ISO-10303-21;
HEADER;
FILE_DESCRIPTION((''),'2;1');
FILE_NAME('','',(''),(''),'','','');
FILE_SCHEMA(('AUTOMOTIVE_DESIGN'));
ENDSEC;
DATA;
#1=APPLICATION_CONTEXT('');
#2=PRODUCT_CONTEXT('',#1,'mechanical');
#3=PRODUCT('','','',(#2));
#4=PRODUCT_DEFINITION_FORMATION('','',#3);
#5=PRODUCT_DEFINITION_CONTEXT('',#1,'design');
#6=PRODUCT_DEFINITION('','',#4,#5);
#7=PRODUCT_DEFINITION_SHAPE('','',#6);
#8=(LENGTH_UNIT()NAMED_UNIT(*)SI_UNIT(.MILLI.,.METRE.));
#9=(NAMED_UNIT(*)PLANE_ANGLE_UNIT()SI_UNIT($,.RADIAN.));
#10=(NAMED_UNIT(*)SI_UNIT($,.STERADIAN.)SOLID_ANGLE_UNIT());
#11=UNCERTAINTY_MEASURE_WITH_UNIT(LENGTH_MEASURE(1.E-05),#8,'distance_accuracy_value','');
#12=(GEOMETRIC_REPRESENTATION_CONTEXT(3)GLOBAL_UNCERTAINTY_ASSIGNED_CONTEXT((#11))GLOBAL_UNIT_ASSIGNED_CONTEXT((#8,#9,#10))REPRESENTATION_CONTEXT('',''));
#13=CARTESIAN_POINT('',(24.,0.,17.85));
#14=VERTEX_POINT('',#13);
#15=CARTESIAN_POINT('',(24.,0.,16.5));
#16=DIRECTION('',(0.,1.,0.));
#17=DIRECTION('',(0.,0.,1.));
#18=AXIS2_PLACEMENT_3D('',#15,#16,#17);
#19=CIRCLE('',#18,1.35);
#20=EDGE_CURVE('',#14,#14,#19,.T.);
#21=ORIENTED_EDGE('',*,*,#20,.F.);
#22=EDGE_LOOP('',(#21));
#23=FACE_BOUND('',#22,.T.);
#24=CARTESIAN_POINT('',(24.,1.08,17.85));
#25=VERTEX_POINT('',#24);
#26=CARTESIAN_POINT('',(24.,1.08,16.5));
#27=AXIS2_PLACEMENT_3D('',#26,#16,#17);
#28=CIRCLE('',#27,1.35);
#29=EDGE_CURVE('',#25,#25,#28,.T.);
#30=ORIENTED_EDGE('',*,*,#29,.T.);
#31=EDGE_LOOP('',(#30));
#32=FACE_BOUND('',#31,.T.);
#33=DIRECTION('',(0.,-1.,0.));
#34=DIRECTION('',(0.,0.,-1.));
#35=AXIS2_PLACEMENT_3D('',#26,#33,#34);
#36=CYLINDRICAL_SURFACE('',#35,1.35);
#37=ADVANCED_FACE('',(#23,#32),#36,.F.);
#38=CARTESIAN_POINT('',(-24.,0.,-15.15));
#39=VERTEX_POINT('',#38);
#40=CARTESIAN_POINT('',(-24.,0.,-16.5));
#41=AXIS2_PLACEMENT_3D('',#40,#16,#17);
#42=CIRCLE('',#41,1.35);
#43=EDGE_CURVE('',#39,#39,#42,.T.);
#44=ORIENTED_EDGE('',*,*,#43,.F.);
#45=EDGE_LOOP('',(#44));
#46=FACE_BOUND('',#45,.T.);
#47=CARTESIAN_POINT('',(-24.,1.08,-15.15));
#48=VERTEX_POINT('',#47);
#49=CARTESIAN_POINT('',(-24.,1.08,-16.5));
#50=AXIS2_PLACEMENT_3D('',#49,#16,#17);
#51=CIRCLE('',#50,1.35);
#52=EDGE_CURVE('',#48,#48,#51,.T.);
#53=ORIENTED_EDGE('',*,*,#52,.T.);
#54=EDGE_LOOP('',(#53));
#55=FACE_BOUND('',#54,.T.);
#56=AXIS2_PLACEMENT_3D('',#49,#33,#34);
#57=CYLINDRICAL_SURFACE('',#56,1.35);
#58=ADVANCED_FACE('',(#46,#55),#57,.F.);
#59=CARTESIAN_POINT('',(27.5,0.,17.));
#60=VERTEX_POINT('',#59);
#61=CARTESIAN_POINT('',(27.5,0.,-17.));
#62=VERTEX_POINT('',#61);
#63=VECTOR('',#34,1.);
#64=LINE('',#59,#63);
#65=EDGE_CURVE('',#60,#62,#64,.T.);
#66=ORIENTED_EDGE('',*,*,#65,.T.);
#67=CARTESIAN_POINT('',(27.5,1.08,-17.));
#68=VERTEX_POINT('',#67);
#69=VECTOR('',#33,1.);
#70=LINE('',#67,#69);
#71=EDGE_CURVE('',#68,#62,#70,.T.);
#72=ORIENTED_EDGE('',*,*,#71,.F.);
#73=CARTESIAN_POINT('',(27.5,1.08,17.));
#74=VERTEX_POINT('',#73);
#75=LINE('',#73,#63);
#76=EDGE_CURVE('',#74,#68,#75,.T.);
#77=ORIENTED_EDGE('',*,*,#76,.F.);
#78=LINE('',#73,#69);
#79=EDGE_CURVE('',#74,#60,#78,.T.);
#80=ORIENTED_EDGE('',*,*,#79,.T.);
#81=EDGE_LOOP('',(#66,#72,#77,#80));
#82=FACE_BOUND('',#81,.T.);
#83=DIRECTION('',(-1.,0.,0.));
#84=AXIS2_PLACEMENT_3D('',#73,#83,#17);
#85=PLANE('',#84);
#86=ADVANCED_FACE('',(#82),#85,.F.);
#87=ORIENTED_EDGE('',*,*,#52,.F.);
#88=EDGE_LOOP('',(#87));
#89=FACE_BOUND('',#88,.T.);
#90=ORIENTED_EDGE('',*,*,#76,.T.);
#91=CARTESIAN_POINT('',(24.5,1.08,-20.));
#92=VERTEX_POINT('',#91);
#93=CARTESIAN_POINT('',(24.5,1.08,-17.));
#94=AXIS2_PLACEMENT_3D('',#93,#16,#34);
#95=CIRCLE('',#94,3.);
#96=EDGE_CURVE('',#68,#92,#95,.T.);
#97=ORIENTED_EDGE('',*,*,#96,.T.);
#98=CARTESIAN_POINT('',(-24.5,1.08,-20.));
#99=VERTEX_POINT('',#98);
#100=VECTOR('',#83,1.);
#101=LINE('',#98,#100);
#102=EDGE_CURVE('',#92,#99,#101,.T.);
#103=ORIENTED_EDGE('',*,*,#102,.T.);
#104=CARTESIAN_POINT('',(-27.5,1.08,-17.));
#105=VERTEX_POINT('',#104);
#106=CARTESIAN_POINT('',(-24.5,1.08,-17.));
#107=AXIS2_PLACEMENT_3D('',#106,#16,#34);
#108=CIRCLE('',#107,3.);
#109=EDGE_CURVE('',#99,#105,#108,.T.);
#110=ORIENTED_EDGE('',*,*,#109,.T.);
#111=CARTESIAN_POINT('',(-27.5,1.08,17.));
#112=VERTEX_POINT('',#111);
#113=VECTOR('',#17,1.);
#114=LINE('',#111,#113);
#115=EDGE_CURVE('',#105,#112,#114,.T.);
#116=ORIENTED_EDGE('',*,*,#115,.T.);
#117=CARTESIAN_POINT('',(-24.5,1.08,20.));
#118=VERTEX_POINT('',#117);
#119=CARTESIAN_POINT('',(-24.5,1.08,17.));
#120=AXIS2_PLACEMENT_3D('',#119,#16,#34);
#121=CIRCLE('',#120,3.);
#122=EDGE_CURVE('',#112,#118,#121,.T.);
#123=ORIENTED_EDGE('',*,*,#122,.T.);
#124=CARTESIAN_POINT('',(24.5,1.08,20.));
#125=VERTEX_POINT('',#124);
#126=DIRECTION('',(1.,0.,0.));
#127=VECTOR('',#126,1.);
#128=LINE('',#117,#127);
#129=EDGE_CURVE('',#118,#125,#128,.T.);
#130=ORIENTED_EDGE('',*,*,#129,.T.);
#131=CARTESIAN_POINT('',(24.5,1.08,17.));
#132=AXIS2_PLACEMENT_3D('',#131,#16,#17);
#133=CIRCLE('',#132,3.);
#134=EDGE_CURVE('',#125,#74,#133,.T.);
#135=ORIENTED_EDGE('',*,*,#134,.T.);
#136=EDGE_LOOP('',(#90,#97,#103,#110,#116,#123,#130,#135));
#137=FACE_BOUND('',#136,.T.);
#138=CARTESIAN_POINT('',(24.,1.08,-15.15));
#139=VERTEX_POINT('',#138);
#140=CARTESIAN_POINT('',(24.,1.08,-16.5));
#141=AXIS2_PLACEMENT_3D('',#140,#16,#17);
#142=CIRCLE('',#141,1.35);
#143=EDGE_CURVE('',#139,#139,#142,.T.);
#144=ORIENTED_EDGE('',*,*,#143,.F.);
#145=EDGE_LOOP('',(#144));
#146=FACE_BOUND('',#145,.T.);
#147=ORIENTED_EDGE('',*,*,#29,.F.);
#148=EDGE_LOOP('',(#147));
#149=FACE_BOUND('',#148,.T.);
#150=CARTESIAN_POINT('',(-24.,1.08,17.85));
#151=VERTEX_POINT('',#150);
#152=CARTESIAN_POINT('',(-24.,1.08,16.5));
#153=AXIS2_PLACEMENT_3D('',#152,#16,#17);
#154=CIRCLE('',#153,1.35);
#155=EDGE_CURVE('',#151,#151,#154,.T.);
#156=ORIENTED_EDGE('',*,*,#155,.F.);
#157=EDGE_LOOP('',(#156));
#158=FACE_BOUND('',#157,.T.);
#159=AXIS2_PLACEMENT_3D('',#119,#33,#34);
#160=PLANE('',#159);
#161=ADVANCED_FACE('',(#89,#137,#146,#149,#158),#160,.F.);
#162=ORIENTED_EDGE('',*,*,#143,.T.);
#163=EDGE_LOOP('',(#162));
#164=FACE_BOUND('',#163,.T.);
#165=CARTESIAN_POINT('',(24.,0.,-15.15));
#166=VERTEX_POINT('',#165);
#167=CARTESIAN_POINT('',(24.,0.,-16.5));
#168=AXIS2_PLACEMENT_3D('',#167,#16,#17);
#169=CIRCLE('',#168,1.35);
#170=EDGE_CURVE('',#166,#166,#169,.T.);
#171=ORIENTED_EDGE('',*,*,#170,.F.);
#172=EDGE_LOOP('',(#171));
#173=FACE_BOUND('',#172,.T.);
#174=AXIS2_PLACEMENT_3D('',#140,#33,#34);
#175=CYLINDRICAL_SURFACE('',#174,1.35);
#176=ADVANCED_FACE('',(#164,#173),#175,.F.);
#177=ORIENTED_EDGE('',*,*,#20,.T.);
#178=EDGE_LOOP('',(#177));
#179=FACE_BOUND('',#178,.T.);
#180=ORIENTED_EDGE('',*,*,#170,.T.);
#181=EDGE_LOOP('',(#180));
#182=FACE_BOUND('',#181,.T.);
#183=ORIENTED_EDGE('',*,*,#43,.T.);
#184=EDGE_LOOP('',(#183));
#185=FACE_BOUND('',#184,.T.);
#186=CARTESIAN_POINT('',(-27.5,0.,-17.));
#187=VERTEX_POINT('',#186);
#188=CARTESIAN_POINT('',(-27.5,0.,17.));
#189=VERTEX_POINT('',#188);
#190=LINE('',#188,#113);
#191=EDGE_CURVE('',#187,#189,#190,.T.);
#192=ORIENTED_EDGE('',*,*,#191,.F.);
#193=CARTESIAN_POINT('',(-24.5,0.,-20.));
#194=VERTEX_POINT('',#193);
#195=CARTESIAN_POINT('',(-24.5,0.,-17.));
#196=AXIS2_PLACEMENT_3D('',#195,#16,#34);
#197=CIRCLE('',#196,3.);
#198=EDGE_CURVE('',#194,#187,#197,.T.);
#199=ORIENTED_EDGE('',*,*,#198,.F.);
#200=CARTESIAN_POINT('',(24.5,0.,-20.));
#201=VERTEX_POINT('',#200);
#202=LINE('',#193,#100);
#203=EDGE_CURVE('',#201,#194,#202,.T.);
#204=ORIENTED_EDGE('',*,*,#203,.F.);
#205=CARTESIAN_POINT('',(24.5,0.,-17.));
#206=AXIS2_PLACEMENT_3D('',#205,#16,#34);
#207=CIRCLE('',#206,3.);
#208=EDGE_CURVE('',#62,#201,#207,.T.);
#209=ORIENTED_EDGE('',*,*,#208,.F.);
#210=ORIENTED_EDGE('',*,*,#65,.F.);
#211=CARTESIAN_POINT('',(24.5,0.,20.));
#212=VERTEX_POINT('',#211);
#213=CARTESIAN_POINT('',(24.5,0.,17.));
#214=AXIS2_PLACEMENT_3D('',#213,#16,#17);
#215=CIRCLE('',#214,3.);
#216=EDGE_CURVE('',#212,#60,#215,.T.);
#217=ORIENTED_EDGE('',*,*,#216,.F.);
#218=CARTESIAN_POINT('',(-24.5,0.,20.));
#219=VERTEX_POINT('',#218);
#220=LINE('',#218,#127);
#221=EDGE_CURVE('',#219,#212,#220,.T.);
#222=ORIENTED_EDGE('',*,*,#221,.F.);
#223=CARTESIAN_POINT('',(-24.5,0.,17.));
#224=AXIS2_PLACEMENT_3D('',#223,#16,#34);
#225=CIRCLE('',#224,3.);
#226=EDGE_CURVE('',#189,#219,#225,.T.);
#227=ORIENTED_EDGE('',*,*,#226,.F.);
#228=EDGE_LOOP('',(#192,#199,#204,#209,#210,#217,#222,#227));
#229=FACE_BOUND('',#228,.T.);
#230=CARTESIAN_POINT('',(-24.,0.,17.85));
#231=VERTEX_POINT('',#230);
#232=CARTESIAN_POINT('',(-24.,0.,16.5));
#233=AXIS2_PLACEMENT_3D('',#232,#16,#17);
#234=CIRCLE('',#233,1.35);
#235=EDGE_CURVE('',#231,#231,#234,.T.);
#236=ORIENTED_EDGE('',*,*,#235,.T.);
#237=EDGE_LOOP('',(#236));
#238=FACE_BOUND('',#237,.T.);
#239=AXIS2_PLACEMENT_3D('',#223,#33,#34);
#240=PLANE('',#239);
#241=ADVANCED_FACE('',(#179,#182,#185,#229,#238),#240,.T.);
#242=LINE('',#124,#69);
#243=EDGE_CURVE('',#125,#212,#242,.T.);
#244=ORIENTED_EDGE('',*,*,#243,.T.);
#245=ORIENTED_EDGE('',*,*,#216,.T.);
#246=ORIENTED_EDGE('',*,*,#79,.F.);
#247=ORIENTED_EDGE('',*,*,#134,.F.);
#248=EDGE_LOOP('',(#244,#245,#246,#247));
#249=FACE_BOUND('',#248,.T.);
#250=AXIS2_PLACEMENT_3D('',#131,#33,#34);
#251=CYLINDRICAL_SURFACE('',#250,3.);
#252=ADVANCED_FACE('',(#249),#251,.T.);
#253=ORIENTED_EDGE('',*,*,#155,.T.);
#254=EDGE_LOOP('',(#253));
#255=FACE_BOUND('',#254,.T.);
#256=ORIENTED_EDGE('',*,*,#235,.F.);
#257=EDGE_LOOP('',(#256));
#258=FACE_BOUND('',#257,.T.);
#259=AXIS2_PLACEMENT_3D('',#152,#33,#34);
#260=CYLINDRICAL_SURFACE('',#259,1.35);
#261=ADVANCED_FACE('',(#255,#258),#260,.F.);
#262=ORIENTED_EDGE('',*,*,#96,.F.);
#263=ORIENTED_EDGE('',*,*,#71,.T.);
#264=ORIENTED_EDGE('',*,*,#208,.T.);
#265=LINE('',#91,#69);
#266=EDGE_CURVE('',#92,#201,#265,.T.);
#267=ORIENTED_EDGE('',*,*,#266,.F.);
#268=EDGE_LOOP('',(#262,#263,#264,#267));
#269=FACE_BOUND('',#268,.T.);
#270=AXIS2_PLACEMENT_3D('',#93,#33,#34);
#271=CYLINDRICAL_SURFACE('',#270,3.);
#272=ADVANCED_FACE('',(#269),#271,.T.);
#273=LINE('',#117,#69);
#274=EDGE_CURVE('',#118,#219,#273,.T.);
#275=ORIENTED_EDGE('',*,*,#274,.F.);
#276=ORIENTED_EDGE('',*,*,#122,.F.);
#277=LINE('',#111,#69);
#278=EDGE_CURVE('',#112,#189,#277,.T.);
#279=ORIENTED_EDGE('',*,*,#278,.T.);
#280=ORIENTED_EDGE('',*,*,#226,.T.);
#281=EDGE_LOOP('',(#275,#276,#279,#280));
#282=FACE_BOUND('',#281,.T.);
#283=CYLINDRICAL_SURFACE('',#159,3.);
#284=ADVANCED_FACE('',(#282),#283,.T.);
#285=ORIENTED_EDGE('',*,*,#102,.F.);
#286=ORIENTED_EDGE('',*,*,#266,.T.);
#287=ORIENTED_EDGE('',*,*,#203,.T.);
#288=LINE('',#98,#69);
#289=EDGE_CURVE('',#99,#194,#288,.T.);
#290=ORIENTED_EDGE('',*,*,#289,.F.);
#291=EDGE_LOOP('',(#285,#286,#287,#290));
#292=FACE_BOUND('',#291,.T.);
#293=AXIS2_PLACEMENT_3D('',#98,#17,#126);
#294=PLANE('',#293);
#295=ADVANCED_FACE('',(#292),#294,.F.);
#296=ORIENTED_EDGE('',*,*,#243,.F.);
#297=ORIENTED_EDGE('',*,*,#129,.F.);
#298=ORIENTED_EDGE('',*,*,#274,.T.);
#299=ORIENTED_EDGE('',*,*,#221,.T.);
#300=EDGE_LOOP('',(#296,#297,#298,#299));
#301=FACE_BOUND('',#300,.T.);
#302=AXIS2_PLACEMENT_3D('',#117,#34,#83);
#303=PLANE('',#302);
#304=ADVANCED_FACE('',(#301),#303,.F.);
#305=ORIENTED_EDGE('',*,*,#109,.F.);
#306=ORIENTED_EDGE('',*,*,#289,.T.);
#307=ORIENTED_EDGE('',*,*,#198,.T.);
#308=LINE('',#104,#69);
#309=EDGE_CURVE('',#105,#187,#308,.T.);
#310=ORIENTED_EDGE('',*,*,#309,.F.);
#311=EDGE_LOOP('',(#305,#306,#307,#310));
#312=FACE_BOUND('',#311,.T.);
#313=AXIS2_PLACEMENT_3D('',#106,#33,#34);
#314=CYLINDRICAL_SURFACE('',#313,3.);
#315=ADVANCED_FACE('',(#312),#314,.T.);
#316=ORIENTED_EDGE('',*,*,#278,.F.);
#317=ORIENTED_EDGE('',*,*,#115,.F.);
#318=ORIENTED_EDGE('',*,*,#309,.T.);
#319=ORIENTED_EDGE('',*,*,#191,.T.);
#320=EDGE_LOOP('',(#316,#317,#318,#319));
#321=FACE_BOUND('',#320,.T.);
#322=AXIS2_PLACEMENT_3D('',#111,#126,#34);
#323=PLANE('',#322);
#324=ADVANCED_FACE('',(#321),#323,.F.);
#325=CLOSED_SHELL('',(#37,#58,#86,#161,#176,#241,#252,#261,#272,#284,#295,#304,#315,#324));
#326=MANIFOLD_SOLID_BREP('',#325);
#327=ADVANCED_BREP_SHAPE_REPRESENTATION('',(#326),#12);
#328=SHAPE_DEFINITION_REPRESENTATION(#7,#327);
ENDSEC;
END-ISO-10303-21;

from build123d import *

# Parameters (mm, degrees)
SKETCH1_R           = 1.35
BOSS_EXTRUDE1_DEPTH = 1.08


with BuildPart() as part:
    # Sketch1 → Boss-Extrude1 (new body)
    with BuildSketch(Plane(origin=(0, 0, 0), x_dir=(1, 0, 0), z_dir=(0, 1, 0))):
        with BuildLine():
            Line((-24.5, -20), (24.5, -20))
            ThreePointArc((24.5, -20), (26.621320344, -19.121320344), (27.5, -17))
            Line((27.5, -17), (27.5, 17))
            ThreePointArc((27.5, 17), (26.621320344, 19.121320344), (24.5, 20))
            Line((24.5, 20), (-24.5, 20))
            ThreePointArc((-24.5, 20), (-26.621320344, 19.121320344), (-27.5, 17))
            Line((-27.5, 17), (-27.5, -17))
            ThreePointArc((-27.5, -17), (-26.621320344, -19.121320344), (-24.5, -20))
        make_face()
        with Locations(Location((-24, 16.5, 0), (0, 0, 270))):
            Circle(SKETCH1_R, mode=Mode.SUBTRACT)
        with Locations(Location((-24, -16.5, 0), (0, 0, 270))):
            Circle(SKETCH1_R, mode=Mode.SUBTRACT)
        with Locations(Location((24, 16.5, 0), (0, 0, 270))):
            Circle(SKETCH1_R, mode=Mode.SUBTRACT)
        with Locations(Location((24, -16.5, 0), (0, 0, 270))):
            Circle(SKETCH1_R, mode=Mode.SUBTRACT)
    extrude(amount=BOSS_EXTRUDE1_DEPTH)


solid = part.part
